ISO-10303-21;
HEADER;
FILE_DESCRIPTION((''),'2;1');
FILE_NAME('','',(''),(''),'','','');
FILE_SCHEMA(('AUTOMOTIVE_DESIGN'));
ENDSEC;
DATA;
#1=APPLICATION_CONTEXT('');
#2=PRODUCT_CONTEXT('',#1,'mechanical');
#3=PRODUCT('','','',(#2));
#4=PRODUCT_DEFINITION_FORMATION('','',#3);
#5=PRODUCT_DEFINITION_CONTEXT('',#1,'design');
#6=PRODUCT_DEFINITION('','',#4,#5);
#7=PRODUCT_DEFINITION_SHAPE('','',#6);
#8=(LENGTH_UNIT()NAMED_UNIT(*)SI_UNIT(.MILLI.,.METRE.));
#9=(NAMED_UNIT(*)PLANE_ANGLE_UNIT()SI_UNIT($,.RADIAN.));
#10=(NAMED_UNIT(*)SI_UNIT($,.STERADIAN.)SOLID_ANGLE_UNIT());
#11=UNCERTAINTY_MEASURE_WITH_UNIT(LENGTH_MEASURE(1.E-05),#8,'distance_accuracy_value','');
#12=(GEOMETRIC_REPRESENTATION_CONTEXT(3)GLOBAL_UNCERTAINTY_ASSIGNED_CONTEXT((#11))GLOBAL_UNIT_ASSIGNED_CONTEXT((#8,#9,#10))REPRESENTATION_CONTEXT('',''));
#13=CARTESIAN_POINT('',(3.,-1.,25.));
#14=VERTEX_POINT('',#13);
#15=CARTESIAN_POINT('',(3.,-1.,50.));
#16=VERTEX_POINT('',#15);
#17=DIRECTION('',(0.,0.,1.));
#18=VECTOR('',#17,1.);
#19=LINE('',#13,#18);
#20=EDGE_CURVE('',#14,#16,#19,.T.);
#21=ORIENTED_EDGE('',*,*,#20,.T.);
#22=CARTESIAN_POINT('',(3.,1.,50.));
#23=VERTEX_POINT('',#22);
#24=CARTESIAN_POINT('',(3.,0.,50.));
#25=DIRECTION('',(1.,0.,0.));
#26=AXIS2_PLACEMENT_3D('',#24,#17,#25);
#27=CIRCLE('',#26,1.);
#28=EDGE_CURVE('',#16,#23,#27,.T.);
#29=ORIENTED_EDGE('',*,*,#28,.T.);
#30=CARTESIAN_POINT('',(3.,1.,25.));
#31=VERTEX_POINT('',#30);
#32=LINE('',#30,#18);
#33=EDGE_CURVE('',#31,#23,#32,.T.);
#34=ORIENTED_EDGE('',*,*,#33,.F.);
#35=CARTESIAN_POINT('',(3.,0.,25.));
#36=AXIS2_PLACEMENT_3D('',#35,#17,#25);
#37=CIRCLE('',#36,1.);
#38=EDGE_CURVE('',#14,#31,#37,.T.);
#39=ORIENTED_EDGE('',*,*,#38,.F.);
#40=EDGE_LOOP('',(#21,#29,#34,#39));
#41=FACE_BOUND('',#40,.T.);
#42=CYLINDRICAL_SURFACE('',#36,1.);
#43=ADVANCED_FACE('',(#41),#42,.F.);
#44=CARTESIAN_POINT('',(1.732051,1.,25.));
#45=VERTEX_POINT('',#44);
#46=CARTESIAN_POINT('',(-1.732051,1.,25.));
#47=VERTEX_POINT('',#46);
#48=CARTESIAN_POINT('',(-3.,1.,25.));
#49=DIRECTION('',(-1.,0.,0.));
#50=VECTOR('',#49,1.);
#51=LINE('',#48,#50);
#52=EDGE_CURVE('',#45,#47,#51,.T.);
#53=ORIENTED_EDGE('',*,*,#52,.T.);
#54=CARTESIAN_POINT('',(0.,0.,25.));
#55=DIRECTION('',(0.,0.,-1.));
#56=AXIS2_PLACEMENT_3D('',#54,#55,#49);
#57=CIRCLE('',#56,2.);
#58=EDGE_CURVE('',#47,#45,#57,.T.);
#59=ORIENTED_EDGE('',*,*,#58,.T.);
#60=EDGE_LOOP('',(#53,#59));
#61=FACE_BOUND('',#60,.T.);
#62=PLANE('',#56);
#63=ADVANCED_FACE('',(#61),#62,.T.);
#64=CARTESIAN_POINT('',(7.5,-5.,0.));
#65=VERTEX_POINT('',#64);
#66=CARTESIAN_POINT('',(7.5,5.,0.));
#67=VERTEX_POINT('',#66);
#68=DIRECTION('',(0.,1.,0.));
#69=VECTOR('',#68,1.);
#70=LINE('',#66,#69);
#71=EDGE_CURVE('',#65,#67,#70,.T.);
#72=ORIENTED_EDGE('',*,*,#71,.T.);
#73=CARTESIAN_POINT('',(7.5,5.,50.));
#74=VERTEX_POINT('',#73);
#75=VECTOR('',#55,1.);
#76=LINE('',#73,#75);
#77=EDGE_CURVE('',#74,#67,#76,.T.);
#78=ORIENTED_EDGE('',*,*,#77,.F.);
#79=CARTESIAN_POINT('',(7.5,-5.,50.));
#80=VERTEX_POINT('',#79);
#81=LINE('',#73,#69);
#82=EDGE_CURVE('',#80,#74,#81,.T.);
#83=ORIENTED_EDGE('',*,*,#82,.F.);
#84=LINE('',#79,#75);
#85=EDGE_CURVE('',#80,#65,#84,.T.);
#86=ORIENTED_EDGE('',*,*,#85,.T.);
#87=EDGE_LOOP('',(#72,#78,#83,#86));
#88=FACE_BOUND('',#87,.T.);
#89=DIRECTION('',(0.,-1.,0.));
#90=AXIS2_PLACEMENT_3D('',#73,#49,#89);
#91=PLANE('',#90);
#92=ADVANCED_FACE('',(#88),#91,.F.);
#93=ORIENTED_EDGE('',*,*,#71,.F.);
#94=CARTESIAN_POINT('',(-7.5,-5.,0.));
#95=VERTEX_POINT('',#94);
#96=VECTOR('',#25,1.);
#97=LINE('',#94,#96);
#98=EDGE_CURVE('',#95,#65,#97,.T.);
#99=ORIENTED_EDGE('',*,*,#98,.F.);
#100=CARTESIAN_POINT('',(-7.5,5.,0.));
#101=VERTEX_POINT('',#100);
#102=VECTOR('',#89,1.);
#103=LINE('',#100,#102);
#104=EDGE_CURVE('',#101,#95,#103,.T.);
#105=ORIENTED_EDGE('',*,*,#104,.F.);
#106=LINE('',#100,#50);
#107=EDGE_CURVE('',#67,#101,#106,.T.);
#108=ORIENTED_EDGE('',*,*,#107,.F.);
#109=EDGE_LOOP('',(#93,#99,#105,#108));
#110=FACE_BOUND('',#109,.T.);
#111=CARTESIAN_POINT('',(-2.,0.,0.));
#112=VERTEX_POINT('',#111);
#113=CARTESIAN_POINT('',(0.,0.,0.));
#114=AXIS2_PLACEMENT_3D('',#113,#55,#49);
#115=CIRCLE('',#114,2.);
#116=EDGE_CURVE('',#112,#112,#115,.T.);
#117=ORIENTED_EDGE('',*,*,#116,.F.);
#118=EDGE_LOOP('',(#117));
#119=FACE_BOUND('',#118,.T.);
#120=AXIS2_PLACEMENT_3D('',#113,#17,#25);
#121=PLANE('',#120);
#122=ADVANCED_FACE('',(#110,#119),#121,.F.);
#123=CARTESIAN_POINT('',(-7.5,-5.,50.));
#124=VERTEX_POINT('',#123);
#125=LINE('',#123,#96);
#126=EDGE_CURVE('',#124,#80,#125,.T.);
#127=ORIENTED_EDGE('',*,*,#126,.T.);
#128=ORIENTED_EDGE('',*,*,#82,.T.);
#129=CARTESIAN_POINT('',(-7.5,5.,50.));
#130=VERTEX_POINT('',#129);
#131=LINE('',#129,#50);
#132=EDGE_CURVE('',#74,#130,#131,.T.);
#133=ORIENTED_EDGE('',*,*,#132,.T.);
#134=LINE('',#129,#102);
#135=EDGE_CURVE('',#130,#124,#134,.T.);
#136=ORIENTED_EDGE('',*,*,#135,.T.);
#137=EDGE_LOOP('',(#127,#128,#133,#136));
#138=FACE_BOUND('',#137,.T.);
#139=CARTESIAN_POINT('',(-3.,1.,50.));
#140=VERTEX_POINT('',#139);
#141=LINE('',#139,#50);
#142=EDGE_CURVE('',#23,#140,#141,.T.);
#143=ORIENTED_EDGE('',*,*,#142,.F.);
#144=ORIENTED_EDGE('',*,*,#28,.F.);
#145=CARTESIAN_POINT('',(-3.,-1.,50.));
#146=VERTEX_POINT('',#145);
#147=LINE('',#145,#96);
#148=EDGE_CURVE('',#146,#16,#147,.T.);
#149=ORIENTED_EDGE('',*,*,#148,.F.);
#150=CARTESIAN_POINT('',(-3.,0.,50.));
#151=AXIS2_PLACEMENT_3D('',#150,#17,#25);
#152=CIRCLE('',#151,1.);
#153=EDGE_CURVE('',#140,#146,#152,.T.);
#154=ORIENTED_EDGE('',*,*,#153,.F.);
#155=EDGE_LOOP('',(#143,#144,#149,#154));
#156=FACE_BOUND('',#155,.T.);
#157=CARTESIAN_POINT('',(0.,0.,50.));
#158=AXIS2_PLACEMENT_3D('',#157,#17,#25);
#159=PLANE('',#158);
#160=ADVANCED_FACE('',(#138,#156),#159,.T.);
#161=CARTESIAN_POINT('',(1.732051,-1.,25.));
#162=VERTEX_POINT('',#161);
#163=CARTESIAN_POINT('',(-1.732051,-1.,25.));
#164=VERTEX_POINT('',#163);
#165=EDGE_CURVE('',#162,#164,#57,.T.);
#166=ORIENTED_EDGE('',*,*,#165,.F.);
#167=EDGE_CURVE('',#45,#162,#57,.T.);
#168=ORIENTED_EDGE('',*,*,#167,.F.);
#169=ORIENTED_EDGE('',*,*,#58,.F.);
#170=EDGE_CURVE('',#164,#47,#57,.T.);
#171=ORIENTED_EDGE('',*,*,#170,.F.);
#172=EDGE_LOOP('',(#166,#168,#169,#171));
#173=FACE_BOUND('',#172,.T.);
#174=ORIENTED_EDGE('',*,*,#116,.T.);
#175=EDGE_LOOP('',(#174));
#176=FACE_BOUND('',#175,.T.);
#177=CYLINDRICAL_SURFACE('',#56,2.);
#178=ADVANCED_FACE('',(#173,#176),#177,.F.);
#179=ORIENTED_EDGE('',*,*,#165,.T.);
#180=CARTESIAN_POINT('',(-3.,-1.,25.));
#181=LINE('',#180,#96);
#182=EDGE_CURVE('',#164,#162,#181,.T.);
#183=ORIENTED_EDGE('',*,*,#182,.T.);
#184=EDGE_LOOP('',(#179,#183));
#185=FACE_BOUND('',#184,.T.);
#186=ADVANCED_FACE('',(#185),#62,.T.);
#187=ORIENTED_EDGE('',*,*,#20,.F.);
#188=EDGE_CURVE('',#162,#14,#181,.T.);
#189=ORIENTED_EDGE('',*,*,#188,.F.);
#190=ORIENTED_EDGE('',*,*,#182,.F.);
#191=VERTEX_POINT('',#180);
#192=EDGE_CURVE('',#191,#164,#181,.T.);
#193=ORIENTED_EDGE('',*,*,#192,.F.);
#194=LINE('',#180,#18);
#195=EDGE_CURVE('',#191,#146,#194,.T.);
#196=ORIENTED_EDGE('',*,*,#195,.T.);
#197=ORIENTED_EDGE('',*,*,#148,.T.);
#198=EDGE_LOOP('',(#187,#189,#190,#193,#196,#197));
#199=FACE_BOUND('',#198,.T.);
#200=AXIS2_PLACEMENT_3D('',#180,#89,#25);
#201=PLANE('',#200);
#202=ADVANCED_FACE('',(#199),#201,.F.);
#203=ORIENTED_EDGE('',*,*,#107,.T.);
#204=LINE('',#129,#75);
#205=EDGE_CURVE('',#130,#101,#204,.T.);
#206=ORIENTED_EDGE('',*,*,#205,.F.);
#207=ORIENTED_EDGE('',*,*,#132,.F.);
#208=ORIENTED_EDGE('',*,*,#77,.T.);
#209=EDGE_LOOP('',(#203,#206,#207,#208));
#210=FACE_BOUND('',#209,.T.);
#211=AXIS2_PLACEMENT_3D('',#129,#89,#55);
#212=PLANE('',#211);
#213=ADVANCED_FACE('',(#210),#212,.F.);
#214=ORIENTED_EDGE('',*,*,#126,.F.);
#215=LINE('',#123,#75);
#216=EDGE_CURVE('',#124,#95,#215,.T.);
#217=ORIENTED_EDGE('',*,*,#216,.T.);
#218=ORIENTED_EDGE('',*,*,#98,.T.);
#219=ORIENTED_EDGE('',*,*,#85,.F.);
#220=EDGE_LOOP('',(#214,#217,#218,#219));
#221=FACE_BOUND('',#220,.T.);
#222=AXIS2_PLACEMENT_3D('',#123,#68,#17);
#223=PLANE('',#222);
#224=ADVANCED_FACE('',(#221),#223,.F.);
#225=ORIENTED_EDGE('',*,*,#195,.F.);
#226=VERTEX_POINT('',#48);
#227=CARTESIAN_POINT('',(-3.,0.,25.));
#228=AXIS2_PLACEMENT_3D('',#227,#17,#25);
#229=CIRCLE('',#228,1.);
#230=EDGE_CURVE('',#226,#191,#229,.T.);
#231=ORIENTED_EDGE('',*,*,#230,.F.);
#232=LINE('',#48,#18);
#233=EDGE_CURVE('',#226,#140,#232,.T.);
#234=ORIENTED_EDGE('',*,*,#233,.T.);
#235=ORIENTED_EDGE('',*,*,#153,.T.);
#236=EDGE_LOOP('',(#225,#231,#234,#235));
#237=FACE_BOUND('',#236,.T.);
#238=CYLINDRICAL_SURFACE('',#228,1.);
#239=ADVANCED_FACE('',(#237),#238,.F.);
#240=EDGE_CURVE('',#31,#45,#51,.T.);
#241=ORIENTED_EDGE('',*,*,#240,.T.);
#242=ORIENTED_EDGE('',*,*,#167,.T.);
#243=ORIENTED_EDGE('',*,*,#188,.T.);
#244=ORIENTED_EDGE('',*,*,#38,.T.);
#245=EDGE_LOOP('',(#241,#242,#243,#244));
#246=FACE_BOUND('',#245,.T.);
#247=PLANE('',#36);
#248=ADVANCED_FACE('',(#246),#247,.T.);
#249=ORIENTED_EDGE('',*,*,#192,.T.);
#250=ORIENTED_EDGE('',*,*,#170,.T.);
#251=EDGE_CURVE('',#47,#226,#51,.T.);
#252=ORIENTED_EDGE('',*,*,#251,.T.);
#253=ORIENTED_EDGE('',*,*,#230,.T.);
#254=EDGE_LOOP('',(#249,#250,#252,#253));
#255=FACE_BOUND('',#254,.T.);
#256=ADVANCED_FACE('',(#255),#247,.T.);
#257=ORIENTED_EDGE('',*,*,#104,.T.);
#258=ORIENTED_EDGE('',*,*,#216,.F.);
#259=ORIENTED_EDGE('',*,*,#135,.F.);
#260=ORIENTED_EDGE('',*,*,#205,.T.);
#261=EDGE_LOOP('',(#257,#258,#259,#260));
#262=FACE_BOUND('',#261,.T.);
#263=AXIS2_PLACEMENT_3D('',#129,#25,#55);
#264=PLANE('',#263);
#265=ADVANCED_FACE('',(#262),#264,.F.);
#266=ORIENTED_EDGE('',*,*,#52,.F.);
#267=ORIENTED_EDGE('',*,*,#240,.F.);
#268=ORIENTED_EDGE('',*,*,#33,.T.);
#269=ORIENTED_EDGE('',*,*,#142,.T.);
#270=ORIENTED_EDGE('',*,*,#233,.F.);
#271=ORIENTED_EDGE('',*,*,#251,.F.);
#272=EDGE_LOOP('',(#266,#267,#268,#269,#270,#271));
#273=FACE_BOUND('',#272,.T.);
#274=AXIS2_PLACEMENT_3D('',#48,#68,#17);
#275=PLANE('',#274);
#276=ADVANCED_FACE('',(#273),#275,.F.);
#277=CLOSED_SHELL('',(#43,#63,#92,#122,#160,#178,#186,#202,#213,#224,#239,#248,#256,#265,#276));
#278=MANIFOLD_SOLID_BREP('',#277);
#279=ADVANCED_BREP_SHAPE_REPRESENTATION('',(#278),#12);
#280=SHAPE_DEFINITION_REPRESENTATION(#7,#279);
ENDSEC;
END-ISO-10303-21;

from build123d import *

# Parameters (mm, degrees)
SKETCH1_W           = 15
SKETCH1_H           = 10
BOSS_EXTRUDE1_DEPTH = 50
CUT_EXTRUDE1_DEPTH  = 25
SKETCH3_R           = 2
CUT_EXTRUDE2_DEPTH  = 25


with BuildPart() as part:
    # Sketch1 → Boss-Extrude1 (new body)
    with BuildSketch(Plane.XY):
        Rectangle(SKETCH1_W, SKETCH1_H)
    extrude(amount=BOSS_EXTRUDE1_DEPTH)

    # Sketch2 → Cut-Extrude1 (cut)
    with BuildSketch(Plane.XY.offset(50)):
        with BuildLine():
            Line((-3, 1), (3, 1))
            ThreePointArc((3, 1), (4, 0), (3, -1))
            Line((3, -1), (-3, -1))
            ThreePointArc((-3, -1), (-4, 0), (-3, 1))
        make_face()
    extrude(amount=-CUT_EXTRUDE1_DEPTH, mode=Mode.SUBTRACT)

    # Sketch3 → Cut-Extrude2 (cut)
    with BuildSketch(Plane(origin=(0, 0, 0), x_dir=(-1, 0, 0), z_dir=(0, 0, -1))):
        Circle(SKETCH3_R)
    extrude(amount=-CUT_EXTRUDE2_DEPTH, mode=Mode.SUBTRACT)


solid = part.part
